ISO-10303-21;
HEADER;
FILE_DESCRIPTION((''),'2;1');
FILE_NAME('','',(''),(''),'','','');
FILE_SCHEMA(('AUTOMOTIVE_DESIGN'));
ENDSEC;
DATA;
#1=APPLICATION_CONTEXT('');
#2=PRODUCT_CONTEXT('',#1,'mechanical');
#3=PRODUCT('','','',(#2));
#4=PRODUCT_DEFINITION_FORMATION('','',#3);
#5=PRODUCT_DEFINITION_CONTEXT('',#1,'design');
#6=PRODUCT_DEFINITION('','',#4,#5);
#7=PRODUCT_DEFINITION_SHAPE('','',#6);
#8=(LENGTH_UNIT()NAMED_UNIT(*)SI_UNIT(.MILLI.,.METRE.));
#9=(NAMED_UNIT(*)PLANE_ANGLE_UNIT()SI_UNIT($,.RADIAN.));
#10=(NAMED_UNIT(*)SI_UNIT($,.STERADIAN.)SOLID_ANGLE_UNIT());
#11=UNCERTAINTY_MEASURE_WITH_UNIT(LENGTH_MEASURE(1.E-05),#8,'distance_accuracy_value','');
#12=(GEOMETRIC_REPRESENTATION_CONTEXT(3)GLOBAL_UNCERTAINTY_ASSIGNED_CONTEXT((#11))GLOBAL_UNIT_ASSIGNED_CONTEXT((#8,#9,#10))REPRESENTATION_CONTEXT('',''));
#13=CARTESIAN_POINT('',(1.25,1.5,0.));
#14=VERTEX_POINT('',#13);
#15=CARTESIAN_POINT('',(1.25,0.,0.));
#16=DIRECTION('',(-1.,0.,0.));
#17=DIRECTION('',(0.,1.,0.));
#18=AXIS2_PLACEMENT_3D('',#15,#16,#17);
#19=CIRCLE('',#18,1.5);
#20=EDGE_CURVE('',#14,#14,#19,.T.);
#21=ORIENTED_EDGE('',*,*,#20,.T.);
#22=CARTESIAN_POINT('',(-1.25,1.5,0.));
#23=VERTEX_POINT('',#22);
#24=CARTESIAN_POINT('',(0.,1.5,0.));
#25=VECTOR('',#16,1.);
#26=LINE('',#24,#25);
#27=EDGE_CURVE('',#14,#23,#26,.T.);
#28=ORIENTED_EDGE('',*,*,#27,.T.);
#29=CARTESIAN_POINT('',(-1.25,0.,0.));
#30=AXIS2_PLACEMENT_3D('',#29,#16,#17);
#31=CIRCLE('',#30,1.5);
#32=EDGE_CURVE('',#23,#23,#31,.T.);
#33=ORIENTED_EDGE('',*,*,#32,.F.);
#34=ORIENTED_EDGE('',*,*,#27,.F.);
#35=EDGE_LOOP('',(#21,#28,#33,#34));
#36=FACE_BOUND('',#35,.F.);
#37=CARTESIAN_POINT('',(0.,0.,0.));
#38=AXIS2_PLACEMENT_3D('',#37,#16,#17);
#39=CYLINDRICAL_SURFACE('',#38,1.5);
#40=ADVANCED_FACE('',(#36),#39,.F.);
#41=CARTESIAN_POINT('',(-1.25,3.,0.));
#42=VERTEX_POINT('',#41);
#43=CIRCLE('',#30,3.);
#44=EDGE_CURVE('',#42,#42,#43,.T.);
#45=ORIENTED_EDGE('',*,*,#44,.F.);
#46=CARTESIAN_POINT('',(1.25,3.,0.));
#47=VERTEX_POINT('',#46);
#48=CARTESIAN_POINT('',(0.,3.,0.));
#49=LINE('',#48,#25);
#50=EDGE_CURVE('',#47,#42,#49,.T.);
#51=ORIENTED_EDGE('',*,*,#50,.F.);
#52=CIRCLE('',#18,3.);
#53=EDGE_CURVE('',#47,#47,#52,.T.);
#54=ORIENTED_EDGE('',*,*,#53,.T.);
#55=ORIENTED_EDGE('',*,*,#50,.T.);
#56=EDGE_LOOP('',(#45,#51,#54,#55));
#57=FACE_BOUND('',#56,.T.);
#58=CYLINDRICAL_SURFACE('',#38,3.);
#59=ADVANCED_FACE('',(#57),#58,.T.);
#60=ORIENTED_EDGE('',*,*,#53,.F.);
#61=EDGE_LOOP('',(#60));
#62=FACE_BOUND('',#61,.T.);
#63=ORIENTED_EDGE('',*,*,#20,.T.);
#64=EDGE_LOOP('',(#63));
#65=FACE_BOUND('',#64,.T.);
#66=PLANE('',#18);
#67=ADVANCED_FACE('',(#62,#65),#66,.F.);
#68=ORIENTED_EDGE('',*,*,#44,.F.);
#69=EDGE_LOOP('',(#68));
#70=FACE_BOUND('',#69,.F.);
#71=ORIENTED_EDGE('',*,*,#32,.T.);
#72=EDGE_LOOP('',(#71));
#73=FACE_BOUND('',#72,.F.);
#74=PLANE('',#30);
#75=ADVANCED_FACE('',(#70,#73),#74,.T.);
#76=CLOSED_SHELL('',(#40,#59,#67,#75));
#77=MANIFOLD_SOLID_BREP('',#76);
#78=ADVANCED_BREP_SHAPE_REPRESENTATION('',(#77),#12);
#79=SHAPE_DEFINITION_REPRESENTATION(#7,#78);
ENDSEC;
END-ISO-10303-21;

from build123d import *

# Parameters (mm, degrees)
SKETCH1_W = 2.5
SKETCH1_H = 1.5


with BuildPart() as part:
    # Sketch1 → Revolve1 (revolve)
    with BuildSketch(Plane(origin=(0, 0, 0), x_dir=(-1, 0, 0), z_dir=(0, 0, -1))):
        with Locations((0, 2.25)):
            Rectangle(SKETCH1_W, SKETCH1_H)
    revolve(axis=Axis((2.895672476, 0, 0), (-1, 0, 0)))


solid = part.part
